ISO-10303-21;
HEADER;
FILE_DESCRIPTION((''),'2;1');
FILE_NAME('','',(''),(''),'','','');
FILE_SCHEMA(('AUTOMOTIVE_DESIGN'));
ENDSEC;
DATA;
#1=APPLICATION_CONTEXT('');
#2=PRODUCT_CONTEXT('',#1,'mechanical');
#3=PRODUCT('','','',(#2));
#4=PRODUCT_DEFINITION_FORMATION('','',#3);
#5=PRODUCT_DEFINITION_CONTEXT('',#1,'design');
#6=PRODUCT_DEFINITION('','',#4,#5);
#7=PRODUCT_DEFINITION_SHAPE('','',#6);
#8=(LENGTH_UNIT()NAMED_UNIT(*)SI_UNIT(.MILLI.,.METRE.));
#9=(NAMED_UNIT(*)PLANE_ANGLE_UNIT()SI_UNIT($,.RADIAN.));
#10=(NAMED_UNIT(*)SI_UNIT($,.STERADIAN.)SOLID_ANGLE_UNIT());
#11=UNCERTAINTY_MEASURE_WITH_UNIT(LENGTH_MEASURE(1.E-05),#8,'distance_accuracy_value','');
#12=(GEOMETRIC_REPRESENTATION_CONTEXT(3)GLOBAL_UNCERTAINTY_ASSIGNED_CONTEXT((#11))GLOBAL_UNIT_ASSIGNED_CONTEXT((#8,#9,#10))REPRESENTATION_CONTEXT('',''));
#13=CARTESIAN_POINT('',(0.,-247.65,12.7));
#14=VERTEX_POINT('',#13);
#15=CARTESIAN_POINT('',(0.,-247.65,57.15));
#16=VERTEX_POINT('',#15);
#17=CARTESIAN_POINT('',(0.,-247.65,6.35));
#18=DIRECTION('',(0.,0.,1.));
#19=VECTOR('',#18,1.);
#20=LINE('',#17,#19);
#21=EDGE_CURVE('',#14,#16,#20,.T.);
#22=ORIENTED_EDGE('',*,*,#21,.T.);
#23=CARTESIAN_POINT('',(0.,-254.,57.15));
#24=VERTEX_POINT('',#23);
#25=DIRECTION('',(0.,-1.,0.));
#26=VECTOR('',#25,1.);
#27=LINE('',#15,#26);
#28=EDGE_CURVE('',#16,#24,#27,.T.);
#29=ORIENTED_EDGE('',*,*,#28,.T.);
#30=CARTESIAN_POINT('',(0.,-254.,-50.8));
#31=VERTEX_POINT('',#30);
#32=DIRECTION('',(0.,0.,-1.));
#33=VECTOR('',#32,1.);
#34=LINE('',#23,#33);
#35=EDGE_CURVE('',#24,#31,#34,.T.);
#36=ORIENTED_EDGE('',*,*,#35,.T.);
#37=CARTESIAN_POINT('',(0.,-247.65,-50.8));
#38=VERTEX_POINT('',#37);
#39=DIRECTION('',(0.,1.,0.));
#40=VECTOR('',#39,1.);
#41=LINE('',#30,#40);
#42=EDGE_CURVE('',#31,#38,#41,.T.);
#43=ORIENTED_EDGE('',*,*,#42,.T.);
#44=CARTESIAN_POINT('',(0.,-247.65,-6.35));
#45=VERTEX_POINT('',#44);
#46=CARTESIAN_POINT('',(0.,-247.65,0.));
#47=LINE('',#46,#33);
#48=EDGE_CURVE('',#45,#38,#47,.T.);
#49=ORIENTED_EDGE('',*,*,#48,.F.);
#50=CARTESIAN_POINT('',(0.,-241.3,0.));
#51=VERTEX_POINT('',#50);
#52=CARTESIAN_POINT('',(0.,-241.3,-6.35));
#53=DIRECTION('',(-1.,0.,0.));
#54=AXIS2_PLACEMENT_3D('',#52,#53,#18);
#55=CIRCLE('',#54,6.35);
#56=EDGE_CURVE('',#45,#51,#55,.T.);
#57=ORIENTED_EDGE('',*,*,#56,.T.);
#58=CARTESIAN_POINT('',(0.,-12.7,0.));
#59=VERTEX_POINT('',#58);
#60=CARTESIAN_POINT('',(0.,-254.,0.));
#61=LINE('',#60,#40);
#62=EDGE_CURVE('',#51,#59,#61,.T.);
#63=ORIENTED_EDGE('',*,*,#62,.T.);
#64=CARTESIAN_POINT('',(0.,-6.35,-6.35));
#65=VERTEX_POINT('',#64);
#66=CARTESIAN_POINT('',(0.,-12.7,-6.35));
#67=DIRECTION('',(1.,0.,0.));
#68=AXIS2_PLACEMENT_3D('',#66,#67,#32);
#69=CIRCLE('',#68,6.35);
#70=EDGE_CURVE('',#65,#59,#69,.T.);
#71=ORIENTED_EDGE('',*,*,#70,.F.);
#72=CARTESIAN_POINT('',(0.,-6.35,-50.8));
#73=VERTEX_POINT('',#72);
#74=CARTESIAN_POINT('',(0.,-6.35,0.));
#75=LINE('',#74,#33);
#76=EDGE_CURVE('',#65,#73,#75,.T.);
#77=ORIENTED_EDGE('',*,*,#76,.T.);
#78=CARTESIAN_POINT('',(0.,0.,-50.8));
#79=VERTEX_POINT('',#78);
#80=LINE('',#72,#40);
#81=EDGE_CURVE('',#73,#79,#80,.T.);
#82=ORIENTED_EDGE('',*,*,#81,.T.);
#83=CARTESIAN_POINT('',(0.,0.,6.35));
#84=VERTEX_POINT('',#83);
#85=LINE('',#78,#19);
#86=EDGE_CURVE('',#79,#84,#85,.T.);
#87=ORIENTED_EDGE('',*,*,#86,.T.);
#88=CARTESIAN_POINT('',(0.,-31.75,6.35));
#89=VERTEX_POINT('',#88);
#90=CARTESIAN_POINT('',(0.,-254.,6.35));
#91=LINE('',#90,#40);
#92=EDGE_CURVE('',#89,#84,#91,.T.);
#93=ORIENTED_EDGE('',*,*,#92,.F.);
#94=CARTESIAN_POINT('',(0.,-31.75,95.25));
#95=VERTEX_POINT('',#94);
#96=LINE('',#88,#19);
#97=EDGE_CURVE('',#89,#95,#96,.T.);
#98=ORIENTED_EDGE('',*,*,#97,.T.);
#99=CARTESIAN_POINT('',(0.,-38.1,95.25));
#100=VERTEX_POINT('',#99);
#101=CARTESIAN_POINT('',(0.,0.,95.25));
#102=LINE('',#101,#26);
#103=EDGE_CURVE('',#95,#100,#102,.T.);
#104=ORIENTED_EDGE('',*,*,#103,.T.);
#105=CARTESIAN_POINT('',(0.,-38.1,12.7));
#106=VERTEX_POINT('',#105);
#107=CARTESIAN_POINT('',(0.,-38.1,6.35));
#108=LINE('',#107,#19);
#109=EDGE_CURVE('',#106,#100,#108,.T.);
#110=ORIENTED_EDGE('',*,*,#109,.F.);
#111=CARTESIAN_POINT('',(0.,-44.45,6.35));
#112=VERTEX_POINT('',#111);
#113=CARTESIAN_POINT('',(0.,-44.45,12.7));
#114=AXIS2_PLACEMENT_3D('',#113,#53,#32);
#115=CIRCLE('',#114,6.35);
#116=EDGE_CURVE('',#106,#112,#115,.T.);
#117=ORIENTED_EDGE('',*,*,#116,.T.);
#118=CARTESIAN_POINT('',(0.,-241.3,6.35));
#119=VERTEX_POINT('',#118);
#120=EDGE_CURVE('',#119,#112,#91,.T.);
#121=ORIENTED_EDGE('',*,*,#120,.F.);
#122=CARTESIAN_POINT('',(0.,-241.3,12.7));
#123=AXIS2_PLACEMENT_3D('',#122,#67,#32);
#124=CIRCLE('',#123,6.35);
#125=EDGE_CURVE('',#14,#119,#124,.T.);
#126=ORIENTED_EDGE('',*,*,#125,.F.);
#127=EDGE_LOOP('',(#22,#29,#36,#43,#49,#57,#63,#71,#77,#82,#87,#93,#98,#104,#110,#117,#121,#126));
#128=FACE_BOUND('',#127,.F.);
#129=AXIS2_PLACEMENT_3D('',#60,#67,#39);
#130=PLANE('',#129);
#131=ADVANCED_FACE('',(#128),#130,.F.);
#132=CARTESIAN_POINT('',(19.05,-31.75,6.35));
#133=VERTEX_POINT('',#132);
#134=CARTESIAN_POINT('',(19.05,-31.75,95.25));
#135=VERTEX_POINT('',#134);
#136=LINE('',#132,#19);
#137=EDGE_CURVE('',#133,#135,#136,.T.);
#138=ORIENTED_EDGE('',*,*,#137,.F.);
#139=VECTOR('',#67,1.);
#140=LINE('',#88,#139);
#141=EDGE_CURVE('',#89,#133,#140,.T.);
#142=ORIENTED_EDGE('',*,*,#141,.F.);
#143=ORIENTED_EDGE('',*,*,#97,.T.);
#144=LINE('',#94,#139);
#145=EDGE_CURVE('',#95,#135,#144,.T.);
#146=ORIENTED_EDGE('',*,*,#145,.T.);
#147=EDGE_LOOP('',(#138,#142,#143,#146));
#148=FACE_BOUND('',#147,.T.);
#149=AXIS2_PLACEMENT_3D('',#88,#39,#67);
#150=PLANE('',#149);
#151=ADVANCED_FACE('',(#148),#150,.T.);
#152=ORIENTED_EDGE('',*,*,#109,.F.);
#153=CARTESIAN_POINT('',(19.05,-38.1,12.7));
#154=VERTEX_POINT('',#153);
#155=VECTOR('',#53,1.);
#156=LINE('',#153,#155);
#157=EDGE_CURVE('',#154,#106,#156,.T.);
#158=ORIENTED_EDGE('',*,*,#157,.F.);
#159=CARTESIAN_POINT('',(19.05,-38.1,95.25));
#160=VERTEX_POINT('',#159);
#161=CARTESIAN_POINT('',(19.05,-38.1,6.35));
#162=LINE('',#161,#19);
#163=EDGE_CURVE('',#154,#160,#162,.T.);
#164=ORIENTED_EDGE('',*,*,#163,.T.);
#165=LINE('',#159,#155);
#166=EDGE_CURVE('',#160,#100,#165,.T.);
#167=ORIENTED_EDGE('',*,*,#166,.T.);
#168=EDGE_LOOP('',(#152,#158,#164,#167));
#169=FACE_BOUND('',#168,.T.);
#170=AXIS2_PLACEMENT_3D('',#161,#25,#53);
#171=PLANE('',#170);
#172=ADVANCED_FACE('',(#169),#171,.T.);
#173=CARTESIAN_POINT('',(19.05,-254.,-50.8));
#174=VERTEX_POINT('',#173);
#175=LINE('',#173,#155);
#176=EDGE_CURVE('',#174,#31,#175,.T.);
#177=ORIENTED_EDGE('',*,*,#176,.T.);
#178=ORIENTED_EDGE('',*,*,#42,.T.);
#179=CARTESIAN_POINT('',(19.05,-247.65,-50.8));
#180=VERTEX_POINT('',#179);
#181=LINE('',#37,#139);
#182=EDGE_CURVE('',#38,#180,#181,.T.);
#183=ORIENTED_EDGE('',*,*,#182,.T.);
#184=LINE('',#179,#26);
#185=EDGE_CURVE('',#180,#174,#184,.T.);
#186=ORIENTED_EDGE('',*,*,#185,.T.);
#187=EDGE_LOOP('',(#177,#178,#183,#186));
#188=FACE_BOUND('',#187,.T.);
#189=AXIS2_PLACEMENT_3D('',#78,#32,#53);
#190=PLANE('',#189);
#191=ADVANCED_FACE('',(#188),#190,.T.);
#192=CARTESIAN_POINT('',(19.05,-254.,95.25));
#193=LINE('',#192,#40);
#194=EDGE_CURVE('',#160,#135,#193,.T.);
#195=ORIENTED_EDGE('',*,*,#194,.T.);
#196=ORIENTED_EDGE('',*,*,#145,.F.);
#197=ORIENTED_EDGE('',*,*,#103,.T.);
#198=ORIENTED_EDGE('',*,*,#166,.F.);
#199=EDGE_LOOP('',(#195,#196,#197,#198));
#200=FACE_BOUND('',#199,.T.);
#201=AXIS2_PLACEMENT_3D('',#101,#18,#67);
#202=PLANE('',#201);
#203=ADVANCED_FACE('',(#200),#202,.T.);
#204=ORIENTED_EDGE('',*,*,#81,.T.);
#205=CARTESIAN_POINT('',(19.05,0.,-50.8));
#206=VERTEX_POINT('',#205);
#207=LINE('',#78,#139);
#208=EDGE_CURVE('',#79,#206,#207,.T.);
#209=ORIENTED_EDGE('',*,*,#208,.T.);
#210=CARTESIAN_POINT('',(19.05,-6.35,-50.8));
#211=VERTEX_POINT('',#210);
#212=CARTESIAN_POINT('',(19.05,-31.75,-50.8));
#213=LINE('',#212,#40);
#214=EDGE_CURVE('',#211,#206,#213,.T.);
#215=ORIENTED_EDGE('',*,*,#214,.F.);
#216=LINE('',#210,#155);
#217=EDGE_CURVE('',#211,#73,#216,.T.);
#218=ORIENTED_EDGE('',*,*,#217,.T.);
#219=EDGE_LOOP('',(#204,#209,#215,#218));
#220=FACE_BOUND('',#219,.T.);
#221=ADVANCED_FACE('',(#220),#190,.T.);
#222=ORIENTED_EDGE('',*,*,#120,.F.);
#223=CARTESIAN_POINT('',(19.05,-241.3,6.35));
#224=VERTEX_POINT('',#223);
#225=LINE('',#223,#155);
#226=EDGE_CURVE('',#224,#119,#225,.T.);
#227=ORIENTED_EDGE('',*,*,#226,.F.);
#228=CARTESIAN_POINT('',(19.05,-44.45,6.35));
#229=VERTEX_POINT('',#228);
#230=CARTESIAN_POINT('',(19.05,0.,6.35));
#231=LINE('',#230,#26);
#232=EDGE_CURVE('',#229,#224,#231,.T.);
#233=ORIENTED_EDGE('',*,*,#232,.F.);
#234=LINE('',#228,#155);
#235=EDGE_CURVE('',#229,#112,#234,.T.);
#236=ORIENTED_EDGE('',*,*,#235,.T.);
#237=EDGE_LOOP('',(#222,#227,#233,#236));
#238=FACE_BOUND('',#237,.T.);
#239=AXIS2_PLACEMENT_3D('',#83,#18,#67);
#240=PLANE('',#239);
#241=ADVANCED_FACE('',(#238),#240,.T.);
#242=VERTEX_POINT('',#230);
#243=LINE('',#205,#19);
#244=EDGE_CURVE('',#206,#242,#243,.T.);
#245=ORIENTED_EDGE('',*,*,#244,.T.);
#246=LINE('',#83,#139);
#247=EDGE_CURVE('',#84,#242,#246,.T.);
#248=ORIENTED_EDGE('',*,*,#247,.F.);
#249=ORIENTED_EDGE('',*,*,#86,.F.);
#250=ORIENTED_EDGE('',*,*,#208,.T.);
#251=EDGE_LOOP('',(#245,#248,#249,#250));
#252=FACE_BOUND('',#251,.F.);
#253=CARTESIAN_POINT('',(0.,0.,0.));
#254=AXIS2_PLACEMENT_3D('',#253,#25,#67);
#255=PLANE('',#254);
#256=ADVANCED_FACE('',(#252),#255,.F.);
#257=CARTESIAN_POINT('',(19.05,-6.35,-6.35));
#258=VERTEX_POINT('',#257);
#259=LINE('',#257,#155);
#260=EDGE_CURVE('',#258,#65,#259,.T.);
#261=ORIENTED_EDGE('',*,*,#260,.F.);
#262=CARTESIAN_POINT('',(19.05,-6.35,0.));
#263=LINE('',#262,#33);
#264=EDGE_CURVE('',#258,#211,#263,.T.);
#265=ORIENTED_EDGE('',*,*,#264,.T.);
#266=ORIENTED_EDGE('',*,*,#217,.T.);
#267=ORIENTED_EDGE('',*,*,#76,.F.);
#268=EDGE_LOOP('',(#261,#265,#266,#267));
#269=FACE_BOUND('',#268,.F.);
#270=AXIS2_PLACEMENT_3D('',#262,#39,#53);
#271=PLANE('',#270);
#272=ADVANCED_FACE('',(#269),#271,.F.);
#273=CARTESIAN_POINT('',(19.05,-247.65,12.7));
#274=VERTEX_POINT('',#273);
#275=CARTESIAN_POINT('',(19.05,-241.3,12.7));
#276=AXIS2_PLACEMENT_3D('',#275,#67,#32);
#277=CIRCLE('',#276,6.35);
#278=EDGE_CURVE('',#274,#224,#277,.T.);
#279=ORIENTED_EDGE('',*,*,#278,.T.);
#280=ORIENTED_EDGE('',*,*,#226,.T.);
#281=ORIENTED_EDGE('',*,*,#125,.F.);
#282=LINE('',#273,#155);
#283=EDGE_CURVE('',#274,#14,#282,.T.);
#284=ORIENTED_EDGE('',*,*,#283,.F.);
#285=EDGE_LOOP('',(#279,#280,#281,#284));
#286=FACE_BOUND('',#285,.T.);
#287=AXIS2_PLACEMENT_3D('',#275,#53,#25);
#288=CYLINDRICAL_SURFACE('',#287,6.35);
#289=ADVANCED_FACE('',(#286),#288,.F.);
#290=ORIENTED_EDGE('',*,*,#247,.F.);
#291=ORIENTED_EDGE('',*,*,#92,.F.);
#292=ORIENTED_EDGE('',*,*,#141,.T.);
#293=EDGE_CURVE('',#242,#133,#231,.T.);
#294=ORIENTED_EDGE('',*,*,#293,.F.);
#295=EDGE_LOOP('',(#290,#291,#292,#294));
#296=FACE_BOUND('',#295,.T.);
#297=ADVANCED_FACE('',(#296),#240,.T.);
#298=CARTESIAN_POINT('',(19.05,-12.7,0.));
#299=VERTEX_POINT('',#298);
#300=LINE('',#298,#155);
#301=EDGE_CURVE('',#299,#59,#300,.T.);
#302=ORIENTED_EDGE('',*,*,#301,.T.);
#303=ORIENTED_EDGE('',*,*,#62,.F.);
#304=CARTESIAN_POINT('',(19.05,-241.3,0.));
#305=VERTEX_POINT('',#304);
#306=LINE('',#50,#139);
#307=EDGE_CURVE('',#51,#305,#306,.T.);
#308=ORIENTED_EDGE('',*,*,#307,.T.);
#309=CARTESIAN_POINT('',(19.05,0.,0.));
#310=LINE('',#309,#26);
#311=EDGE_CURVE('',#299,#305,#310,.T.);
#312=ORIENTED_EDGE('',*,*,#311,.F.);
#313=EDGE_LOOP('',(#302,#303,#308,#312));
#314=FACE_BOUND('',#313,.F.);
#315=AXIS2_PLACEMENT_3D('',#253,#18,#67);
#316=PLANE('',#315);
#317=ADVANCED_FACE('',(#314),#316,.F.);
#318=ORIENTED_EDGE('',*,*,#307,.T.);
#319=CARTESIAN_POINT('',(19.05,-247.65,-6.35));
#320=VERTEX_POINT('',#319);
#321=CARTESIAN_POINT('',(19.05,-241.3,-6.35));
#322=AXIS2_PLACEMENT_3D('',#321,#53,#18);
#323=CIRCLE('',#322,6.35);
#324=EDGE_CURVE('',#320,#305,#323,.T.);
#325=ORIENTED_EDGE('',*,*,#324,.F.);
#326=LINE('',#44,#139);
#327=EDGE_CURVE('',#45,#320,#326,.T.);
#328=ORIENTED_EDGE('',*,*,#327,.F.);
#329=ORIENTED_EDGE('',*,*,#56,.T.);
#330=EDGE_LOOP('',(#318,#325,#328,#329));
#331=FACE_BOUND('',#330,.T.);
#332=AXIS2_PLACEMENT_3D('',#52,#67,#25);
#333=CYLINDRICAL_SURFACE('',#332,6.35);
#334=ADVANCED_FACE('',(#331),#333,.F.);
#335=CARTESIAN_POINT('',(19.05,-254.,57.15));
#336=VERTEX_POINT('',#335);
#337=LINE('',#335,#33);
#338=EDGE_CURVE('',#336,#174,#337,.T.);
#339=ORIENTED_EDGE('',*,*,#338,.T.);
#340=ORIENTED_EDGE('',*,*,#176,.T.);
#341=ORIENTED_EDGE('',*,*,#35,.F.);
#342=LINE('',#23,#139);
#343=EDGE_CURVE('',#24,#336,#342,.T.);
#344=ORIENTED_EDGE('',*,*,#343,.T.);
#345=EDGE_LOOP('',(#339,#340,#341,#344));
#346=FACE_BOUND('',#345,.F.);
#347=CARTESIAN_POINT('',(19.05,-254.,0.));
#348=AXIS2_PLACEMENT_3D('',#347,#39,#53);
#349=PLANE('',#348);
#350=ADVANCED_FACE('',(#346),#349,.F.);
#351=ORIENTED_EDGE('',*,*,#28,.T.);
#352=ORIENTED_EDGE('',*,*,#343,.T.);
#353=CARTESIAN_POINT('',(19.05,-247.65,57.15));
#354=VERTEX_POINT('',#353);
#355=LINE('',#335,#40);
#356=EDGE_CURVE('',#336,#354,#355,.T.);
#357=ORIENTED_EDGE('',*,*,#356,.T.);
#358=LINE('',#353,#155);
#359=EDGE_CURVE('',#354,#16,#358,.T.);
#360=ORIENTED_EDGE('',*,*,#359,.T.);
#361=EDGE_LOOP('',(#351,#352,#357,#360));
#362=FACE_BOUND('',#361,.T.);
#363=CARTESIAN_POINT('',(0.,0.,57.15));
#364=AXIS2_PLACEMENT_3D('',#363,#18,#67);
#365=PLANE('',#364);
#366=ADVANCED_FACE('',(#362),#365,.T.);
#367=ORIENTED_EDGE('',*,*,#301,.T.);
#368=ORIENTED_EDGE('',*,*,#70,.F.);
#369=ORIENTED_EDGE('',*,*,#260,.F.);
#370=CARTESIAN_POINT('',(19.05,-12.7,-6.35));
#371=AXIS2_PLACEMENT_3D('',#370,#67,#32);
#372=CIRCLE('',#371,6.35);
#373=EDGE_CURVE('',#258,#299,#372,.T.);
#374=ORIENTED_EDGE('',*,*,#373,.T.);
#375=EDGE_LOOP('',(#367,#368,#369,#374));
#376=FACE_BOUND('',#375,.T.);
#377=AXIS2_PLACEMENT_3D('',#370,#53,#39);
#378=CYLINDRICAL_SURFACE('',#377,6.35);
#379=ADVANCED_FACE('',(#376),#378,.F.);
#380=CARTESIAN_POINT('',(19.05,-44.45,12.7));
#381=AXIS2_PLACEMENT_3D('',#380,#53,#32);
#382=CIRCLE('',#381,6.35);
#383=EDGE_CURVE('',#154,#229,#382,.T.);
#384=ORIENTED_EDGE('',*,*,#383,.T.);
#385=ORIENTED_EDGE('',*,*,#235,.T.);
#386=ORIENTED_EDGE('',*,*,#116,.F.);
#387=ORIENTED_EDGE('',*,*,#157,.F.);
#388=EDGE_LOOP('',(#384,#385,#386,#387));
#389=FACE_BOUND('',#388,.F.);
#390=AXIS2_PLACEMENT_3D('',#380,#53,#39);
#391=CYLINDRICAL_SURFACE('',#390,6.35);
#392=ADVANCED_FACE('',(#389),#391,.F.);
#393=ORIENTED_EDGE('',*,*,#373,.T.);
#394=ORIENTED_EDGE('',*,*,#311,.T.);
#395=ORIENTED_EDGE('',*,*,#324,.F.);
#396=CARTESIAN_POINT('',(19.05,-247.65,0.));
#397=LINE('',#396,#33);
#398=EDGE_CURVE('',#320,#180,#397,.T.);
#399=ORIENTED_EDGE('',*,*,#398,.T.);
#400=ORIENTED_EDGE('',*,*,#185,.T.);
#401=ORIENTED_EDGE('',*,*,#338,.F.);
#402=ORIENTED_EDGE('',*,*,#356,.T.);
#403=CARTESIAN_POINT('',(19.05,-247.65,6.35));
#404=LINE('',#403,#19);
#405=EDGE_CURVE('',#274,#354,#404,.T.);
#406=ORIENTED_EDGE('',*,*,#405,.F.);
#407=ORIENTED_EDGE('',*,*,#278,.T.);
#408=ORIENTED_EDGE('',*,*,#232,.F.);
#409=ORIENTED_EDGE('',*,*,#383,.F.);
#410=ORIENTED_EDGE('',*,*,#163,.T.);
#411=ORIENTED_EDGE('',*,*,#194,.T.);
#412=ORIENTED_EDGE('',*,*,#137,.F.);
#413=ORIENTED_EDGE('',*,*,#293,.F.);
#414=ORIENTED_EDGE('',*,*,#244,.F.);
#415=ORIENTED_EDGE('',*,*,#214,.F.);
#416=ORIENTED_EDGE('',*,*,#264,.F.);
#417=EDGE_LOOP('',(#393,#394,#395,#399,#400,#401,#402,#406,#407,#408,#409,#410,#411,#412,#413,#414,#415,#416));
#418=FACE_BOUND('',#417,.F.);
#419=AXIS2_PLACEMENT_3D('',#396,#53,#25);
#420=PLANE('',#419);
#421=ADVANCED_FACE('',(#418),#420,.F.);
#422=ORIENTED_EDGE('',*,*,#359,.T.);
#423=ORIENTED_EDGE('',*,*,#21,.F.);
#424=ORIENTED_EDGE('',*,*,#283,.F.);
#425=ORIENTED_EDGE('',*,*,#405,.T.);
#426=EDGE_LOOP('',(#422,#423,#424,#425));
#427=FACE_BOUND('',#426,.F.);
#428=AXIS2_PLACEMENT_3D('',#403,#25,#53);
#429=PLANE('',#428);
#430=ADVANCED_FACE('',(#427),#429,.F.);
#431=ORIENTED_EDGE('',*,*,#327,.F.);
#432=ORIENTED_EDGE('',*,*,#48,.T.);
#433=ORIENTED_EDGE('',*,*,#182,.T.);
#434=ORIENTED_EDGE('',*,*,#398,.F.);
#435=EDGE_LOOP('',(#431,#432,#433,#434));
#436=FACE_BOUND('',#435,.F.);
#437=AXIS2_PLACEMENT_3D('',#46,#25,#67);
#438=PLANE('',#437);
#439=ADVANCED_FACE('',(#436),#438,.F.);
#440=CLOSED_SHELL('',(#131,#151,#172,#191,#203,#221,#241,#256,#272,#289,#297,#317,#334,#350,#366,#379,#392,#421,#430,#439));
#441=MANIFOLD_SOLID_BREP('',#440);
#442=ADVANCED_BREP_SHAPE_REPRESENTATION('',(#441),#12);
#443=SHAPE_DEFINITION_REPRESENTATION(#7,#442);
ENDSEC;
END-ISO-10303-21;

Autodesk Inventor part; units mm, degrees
ref_plane "YZ Plane" through (0, 0, 0) normal (1, 0, 0) x (0, 1, 0)
ref_plane "XZ Plane" through (0, 0, 0) normal (0, 1, 0) x (-1, 0, 0)
ref_plane "XY Plane" through (0, 0, 0) normal (0, 0, 1) x (1, 0, 0)
sketch "Sketch3" plane through (0, 0, 0) normal (0, 0, 1) x (1, 0, 0)
  line L0 (0, 0) -> (19.05, 0)
  line L1 (19.05, 0) -> (19.05, -254)
  line L2 (19.05, -254) -> (0, -254)
  line L3 (0, -254) -> (0, 0)
  dimension "d0" = 19.05
  dimension "d1" = 254
extrude "Extrusion1" add sketch "Sketch3" along normal blind 6.35
sketch "Sketch4" plane through (19.05, -254, 0) normal (1, 0, 0) x (0, 0, -1)
  point P0 (0, 254)
sketch "Sketch5" plane through (0, 0, 6.35) normal (0, 0, 1) x (1, 0, 0)
  line L0 (19.05, 0) -> (0, 0) projected
  line L1 (0, 0) -> (0, -31.75)
  line L2 (0, 0) -> (0, -254) projected
  line L3 (19.05, -254) -> (19.05, 0) projected
  line L4 (0, -31.75) -> (19.05, -31.75)
  line L5 (19.05, -31.75) -> (19.05, -38.1)
  line L6 (19.05, -38.1) -> (0, -38.1)
  line L7 (0, -38.1) -> (0, -31.75)
  dimension "d4" = 31.75
  dimension "d5" = 6.35
extrude "Extrusion2" add sketch "Sketch5" along normal blind 88.9 contours L3 L6 L2 L4
sketch "Sketch6" plane through (0, 0, 0) normal (0, 0, -1) x (-1, 0, 0)
  line L0 (-19.05, -31.75) -> (-19.05, 0) projected
  line L1 (0, 0) -> (-19.05, 0)
  line L2 (-19.05, 0) -> (-19.05, -6.35)
  line L3 (-19.05, -6.35) -> (0, -6.35)
  line L4 (0, -6.35) -> (0, 0)
  dimension "d8" = 6.35
extrude "Extrusion3" add sketch "Sketch6" along normal blind 50.8
fillet "Fillet2" radius 6.35 2 edges at (9.525, -38.1, 6.35) (9.525, -6.35, 0)
sketch "Sketch7" plane through (0, 0, 6.35) normal (0, 0, 1) x (1, 0, 0)
  line L0 (0, -254) -> (19.05, -254) projected
  line L1 (0, -254) -> (19.05, -254)
  line L2 (19.05, -254) -> (19.05, -247.65)
  line L3 (19.05, -247.65) -> (0, -247.65)
  line L4 (0, -247.65) -> (0, -254)
  point P0 (0, 0)
  dimension "d13" = 19.05
  dimension "d14" = 6.35
extrude "Extrusion4" add sketch "Sketch7" along normal blind 50.8
sketch "Sketch8" plane through (0, 0, 0) normal (0, 0, -1) x (-1, 0, 0)
  line L0 (-19.05, -254) -> (0, -254) projected
  line L1 (0, -254) -> (0, -12.7) projected
  line L2 (-19.05, -254) -> (0, -254)
  line L3 (0, -254) -> (0, -247.65)
  line L4 (0, -247.65) -> (-19.05, -247.65)
  line L5 (-19.05, -247.65) -> (-19.05, -254)
  point P0 (0, 0)
  dimension "d17" = 6.35
extrude "Extrusion5" add sketch "Sketch8" along normal blind 50.8
fillet "Fillet3" radius 6.35 2 edges at (9.525, -247.65, 0) (9.525, -247.65, 6.35)
properties part number "RightTopPlateConnector"
